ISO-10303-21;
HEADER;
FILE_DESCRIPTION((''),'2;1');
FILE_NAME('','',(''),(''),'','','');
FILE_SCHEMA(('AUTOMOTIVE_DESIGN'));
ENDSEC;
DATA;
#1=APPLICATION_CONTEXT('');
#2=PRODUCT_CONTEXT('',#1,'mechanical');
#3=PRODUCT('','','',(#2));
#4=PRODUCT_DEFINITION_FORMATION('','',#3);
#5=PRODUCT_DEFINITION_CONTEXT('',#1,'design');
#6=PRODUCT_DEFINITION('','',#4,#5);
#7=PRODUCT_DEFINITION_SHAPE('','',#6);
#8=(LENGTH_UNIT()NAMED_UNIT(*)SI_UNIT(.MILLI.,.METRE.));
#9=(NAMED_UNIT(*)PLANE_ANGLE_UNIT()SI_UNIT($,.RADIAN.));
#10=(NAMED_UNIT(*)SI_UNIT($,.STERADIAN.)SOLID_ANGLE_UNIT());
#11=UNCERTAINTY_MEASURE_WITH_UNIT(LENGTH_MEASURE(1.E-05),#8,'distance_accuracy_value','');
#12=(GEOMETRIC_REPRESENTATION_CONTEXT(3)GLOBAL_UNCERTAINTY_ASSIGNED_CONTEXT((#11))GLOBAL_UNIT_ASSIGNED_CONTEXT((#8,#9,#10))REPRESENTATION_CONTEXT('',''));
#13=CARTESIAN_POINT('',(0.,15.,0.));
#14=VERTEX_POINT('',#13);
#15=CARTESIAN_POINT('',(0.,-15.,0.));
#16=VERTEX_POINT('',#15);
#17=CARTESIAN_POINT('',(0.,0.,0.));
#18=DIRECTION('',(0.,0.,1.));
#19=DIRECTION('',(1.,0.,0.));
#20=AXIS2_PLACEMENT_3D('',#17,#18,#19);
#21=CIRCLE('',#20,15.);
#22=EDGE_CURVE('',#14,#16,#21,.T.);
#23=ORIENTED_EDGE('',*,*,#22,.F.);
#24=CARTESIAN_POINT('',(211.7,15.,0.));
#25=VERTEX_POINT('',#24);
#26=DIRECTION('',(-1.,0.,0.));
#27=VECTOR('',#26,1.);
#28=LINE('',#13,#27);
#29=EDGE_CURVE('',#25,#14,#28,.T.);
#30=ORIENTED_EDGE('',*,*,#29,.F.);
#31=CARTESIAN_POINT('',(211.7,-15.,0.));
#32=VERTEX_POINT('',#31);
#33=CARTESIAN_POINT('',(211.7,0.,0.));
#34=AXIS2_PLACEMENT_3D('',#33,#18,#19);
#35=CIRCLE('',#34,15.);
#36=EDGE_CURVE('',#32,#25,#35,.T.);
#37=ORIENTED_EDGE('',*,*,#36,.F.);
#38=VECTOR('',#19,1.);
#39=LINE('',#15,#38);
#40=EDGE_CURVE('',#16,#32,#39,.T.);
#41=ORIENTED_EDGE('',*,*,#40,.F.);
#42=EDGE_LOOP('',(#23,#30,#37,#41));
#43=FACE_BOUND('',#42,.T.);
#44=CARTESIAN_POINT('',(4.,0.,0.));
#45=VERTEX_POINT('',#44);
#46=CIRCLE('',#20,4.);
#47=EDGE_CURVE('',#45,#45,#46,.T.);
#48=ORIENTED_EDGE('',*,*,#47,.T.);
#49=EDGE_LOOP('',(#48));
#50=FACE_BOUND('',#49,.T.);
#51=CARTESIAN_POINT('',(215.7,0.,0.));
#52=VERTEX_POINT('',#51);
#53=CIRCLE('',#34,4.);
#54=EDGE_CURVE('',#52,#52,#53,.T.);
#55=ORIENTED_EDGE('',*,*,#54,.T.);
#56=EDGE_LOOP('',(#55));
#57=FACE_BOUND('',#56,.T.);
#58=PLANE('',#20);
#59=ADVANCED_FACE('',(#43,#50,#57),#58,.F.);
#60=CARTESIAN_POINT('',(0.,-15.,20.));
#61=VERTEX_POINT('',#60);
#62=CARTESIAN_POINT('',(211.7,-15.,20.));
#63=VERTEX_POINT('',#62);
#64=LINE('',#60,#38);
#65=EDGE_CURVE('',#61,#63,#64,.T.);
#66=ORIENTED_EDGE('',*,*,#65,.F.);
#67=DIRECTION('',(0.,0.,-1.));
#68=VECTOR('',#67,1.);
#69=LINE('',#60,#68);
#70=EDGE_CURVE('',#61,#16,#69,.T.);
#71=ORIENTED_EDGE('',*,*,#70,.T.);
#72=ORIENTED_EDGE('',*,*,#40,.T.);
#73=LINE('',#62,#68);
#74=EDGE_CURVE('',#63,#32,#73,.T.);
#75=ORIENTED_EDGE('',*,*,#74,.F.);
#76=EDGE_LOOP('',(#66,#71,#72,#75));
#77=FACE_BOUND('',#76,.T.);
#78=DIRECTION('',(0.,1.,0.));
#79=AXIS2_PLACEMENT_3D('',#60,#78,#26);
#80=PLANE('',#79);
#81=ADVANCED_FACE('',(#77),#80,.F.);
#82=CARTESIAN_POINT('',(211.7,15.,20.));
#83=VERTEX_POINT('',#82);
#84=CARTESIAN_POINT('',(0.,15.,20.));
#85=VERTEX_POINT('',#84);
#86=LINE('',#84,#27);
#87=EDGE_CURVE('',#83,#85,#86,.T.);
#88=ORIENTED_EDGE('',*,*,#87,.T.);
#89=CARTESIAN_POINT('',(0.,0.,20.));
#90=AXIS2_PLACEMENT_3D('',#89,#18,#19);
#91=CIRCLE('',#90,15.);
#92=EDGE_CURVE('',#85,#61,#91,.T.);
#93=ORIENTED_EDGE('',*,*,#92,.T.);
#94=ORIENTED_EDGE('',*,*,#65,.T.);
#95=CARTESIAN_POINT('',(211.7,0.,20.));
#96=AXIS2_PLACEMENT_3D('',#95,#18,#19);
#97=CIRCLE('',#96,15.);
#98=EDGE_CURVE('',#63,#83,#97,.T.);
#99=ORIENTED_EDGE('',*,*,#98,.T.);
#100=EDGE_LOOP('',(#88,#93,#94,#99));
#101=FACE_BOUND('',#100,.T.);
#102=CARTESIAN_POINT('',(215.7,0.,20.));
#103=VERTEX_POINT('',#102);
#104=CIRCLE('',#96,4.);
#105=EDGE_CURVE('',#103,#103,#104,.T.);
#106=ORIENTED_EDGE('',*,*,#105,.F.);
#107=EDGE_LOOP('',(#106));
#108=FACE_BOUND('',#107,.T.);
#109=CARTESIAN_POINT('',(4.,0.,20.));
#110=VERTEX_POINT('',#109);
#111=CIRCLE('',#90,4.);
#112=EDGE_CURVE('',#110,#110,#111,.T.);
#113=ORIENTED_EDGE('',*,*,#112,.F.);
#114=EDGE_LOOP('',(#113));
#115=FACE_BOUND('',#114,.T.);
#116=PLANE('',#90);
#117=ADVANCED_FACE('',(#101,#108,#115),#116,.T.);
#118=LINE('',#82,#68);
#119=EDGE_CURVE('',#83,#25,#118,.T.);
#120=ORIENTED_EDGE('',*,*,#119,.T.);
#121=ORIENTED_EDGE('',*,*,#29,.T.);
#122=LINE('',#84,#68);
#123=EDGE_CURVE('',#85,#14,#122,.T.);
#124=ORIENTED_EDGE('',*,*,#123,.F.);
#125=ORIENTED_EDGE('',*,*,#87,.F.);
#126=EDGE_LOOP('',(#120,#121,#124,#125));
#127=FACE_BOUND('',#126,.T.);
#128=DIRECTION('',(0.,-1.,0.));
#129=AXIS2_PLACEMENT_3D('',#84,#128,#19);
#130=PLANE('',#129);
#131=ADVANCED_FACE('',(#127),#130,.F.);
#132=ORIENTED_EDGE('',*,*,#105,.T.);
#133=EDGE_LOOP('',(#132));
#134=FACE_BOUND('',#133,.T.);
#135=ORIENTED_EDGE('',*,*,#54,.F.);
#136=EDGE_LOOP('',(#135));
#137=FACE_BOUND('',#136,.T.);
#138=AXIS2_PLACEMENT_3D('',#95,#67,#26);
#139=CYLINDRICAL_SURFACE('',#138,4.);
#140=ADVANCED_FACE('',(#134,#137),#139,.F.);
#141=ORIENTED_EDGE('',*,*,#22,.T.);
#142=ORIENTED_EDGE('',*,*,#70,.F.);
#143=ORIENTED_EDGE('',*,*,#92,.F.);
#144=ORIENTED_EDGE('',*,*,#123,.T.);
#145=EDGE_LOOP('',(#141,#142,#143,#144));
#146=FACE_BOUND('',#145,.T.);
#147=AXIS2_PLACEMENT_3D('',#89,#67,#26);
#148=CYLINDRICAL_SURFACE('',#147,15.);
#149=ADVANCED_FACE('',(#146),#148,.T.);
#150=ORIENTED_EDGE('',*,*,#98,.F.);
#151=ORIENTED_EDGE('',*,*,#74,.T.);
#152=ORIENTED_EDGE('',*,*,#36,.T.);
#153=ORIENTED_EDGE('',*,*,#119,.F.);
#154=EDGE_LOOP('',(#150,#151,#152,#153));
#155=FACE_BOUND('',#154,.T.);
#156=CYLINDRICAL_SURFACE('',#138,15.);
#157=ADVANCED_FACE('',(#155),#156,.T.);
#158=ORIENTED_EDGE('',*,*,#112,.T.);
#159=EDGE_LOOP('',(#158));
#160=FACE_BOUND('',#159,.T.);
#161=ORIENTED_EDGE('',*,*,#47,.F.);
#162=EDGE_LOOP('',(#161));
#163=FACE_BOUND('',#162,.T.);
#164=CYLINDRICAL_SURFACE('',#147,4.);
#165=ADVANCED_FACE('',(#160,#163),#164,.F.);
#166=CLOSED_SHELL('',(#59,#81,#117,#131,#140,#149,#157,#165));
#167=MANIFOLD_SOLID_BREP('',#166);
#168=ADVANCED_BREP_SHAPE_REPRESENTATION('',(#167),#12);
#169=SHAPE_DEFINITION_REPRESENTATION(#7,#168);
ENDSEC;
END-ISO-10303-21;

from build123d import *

# Parameters (mm, degrees)
SKETCH_1_R      = 4
EXTRUDE_1_DEPTH = 20


with BuildPart() as part:
    # 草图1 → 凸台-拉伸1 (new body)
    with BuildSketch(Plane.XY):
        with BuildLine():
            Line((0, 15), (211.7, 15))
            ThreePointArc((211.7, 15), (226.7, 0), (211.7, -15))
            Line((211.7, -15), (0, -15))
            ThreePointArc((0, -15), (-15, 0), (0, 15))
        make_face()
        Circle(SKETCH_1_R, mode=Mode.SUBTRACT)
        with Locations((211.7, 0)):
            Circle(SKETCH_1_R, mode=Mode.SUBTRACT)
    extrude(amount=EXTRUDE_1_DEPTH)


solid = part.part
